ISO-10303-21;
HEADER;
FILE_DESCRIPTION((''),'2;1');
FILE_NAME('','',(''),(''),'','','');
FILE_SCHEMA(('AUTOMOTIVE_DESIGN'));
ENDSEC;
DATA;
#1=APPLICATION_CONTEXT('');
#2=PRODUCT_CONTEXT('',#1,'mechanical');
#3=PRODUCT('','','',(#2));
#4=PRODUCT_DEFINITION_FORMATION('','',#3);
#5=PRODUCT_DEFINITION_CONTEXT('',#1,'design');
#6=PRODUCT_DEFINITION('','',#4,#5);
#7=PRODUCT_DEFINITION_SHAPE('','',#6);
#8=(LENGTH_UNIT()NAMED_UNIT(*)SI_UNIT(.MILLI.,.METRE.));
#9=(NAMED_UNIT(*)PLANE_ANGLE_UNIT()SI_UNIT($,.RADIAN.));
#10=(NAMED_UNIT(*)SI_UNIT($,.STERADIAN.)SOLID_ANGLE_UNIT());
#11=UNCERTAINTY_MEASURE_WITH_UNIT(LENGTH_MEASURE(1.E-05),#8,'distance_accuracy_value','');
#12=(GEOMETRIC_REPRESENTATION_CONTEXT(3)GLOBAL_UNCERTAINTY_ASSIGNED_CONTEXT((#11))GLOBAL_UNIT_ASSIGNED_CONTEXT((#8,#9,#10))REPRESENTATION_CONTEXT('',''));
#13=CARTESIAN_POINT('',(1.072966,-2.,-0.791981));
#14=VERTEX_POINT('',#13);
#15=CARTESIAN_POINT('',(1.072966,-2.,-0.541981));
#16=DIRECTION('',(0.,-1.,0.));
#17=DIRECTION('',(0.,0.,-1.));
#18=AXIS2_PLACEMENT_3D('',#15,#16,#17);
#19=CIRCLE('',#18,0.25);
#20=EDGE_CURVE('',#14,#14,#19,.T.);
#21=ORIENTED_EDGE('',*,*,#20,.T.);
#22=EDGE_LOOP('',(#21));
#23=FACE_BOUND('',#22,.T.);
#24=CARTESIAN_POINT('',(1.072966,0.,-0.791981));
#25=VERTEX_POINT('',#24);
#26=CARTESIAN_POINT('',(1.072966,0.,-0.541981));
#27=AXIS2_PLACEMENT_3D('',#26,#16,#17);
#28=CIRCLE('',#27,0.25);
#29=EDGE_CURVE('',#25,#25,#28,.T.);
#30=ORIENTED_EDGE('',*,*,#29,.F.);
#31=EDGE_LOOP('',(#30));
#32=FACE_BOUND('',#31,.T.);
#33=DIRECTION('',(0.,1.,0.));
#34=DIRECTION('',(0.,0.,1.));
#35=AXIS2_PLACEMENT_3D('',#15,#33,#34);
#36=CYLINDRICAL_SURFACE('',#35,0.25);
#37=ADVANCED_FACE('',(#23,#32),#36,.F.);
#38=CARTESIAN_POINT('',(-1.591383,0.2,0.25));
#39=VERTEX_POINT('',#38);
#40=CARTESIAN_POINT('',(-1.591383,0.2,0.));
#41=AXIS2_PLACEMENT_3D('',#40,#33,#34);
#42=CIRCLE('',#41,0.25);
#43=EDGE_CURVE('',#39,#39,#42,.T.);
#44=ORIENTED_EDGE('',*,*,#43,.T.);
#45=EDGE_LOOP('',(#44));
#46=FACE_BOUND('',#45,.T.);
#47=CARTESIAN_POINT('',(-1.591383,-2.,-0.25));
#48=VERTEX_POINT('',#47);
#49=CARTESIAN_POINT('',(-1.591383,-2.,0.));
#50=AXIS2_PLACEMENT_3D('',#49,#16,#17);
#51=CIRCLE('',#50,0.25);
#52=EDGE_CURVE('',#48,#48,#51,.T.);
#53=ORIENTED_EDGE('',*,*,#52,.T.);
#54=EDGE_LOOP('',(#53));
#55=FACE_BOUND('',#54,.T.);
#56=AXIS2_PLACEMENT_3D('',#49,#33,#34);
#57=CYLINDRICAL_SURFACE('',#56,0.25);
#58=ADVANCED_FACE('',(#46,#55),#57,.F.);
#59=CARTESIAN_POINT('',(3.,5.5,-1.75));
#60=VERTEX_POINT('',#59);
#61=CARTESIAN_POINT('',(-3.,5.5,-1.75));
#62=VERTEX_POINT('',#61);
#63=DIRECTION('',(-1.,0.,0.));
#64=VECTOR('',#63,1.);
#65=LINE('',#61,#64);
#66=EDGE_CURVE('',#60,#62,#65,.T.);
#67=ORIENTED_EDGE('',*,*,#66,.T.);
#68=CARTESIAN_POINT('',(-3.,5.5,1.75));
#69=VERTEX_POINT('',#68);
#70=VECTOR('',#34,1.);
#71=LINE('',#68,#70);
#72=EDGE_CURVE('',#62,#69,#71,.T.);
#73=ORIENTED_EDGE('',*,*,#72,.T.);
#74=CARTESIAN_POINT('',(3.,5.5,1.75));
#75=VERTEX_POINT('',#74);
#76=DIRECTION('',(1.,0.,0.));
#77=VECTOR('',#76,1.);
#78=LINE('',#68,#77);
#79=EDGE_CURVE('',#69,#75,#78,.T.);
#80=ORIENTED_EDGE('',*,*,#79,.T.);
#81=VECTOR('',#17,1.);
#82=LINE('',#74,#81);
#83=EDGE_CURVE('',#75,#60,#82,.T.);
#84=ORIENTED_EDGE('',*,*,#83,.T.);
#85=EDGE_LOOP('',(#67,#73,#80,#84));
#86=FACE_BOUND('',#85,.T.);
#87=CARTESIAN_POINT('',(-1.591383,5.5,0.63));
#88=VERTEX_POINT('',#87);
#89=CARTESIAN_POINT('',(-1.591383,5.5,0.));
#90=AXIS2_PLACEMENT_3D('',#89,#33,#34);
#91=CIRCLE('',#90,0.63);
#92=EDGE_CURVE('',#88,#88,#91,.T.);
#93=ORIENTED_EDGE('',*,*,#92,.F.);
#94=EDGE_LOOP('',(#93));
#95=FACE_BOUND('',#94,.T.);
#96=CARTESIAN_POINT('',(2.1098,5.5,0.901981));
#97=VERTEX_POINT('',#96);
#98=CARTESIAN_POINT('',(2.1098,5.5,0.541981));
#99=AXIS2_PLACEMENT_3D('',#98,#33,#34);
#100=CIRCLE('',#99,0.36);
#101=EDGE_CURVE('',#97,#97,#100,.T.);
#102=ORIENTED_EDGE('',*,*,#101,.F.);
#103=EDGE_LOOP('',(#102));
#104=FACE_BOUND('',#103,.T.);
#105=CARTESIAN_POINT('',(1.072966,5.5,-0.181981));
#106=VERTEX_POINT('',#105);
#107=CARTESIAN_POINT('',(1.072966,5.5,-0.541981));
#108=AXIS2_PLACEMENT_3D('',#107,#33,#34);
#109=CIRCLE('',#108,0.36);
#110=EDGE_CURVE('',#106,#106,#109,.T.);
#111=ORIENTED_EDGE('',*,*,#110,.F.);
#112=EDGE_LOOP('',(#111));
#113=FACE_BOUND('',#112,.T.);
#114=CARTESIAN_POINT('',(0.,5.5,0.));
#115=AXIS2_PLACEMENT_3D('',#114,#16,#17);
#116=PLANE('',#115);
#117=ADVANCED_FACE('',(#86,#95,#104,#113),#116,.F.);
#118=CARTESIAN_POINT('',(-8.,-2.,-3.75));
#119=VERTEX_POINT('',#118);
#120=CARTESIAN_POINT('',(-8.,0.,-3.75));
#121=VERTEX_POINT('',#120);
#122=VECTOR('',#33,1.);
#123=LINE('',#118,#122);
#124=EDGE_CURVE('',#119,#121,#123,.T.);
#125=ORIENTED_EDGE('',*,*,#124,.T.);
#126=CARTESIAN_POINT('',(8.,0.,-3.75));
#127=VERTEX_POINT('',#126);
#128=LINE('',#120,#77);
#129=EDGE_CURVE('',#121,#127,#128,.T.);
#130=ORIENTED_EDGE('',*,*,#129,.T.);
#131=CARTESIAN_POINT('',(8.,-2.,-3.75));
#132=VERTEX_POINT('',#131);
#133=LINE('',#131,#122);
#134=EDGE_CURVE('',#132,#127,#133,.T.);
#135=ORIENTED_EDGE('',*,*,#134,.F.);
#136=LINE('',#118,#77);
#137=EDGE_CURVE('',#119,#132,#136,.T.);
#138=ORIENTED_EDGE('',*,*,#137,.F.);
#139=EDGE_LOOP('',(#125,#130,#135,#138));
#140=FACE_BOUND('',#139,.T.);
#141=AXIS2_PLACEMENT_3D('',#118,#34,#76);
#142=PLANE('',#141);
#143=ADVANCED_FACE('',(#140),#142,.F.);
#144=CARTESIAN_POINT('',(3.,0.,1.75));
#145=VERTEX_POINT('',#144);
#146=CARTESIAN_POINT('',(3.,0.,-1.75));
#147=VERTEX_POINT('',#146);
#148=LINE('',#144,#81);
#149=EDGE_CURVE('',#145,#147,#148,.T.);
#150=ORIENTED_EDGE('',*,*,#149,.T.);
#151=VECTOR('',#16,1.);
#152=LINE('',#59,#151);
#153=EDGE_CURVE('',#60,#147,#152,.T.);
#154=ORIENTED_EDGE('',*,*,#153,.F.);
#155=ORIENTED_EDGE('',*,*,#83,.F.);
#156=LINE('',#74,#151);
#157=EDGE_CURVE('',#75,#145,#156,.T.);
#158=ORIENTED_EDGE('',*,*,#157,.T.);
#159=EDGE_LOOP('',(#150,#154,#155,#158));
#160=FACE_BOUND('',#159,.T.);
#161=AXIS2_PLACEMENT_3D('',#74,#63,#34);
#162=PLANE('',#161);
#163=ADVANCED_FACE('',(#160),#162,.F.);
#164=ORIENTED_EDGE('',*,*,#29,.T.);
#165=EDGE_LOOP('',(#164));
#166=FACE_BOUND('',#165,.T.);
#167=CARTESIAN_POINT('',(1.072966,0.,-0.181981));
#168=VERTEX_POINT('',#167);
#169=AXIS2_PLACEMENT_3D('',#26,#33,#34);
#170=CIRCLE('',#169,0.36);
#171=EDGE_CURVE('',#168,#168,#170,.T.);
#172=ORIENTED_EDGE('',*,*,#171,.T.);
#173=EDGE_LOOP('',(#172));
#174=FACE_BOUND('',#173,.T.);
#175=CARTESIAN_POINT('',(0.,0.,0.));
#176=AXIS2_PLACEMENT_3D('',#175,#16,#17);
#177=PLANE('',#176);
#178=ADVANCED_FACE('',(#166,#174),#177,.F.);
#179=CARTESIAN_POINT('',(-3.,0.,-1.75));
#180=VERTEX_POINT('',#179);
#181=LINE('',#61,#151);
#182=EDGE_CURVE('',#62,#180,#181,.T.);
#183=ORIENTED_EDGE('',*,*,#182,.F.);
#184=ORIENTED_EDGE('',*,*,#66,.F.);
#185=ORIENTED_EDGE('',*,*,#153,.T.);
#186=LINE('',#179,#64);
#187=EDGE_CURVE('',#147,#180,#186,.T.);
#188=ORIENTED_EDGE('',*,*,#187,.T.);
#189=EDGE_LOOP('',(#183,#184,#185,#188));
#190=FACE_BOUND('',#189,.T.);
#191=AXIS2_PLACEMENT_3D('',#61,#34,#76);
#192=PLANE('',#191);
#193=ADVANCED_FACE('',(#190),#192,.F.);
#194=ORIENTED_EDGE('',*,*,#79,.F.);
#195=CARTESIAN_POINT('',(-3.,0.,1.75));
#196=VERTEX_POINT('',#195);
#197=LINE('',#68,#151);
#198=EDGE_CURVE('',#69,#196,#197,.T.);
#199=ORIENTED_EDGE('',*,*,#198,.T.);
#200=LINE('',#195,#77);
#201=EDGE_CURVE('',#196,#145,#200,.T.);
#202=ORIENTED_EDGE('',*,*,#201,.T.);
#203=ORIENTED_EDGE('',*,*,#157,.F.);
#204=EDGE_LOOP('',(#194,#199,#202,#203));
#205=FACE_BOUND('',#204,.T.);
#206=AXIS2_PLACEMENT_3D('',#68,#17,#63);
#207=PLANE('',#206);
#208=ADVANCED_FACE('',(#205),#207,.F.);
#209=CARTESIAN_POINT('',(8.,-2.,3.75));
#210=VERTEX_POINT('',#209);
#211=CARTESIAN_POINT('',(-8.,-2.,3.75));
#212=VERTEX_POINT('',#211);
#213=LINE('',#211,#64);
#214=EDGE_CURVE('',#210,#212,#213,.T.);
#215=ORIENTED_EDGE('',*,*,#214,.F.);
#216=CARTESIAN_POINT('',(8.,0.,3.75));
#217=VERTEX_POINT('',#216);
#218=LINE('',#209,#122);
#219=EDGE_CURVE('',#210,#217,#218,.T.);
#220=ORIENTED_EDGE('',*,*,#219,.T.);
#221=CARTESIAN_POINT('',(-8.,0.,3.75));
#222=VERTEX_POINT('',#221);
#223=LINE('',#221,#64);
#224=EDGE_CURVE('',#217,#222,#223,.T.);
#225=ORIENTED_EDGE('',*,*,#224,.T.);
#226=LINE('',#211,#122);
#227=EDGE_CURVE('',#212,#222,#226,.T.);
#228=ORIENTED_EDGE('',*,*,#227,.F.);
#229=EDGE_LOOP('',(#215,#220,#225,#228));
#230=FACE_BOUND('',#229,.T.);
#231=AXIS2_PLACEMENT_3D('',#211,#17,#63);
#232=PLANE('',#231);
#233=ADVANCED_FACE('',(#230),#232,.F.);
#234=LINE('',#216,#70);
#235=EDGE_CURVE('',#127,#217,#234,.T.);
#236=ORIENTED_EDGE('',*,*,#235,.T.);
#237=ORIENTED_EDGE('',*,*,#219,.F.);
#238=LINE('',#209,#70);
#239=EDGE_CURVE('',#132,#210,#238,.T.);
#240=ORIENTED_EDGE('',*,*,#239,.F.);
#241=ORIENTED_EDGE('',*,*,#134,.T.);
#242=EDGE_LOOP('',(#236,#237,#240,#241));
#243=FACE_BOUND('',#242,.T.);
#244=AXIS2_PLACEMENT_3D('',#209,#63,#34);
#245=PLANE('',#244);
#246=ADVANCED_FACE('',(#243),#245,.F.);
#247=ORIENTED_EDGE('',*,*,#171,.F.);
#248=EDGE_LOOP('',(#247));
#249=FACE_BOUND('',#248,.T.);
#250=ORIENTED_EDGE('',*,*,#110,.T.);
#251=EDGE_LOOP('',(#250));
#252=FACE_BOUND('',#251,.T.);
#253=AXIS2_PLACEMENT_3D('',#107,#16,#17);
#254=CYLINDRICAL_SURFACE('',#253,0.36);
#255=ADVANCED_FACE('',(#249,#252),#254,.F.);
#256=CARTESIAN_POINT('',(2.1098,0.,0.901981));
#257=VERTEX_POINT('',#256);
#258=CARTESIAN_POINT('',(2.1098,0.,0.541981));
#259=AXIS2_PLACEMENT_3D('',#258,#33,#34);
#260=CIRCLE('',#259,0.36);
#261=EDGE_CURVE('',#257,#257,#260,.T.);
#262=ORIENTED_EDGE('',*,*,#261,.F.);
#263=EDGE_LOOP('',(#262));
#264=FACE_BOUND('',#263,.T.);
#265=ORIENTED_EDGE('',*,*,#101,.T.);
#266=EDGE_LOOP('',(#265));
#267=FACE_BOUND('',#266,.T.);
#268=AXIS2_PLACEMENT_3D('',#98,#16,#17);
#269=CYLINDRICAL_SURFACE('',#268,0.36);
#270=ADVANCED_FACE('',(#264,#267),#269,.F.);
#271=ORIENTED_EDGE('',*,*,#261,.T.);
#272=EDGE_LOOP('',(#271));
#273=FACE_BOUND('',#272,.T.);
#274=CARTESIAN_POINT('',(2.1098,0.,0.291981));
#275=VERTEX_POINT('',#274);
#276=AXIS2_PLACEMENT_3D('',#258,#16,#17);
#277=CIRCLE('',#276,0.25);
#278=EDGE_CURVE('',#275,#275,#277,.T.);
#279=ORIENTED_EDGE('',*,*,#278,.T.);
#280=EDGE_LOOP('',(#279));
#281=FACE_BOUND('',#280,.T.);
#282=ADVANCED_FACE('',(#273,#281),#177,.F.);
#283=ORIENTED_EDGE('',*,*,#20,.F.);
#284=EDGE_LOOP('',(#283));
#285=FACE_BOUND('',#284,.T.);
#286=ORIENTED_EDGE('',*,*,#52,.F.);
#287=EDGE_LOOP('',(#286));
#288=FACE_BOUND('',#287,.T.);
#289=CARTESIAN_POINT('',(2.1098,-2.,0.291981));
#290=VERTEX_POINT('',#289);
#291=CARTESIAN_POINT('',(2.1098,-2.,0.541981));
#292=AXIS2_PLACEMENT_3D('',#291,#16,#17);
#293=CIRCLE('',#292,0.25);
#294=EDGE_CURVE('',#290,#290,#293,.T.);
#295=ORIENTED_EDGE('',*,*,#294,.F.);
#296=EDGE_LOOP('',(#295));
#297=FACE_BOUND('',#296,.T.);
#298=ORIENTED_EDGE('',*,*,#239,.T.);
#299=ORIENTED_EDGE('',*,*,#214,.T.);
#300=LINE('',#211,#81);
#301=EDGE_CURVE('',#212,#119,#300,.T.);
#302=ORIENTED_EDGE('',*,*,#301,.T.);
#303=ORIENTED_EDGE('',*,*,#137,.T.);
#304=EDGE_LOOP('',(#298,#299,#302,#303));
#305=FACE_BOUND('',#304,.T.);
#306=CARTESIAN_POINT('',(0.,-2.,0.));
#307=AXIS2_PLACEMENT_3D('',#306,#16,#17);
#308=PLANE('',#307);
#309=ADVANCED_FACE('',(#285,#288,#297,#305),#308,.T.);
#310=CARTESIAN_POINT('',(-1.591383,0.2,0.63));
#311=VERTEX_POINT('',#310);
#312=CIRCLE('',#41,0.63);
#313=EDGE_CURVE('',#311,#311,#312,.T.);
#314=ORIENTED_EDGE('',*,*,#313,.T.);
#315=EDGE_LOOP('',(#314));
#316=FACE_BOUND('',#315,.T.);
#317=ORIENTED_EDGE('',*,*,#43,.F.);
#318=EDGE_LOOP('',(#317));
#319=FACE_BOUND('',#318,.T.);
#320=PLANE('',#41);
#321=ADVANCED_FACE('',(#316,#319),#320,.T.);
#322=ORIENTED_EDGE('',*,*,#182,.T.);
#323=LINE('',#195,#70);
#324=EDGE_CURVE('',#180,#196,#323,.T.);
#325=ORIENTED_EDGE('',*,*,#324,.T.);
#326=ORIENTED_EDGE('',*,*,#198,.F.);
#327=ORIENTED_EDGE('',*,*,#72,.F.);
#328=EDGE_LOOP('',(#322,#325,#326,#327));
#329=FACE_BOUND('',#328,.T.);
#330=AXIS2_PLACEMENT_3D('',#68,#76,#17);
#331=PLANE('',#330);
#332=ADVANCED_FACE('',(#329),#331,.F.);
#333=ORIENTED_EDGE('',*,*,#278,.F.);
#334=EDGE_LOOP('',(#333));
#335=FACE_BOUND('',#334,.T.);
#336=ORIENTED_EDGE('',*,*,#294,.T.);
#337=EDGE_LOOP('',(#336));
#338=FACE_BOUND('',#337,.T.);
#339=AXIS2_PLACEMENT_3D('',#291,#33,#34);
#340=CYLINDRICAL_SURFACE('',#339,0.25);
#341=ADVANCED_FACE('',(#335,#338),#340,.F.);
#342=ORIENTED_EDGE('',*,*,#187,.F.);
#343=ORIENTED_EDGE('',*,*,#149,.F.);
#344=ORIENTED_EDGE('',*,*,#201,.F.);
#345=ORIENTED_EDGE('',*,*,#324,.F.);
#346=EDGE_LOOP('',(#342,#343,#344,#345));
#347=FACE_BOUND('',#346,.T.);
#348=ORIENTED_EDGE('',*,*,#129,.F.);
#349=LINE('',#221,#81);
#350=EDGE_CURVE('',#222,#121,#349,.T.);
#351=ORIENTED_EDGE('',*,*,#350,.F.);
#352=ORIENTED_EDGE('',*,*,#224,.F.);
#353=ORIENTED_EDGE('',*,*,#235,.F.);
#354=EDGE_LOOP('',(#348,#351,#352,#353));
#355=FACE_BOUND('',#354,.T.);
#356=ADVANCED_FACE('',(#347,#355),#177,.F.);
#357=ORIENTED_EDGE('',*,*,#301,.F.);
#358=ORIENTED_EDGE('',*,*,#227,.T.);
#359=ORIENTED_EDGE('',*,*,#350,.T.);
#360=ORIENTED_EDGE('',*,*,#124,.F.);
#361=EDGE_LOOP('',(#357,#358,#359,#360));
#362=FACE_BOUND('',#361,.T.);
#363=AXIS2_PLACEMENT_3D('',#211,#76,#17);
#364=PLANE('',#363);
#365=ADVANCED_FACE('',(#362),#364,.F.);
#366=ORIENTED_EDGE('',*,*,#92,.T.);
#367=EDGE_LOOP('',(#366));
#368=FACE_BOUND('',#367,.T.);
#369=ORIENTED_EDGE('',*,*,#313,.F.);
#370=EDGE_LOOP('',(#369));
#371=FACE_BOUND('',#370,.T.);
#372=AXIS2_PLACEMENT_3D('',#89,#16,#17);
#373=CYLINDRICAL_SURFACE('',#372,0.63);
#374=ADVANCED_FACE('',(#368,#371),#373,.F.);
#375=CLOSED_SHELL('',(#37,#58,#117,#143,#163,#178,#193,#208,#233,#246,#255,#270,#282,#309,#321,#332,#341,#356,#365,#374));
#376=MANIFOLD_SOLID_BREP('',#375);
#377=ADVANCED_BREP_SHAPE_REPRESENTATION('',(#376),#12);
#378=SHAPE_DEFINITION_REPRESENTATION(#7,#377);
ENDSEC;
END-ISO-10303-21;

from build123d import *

# Parameters (mm, degrees)
SKETCH1_W                            = 6
SKETCH1_H                            = 3.5
SKETCH1_R                            = 0.36
SKETCH1_R_2                          = 0.63
CANULALAYOUT_BOSS_EXTRUDE1_DEPTH     = 5.5
SKETCH2_W                            = 16
SKETCH2_H                            = 7.5
SKETCH2_R                            = 0.25
BASE_BOSS_EXTRUDE2_DEPTH             = 2
SKETCH3_R                            = 0.63
SKETCH3_R_2                          = 0.25
HEIGHTDIFFERENCE_BOSS_EXTRUDE3_DEPTH = 0.2


with BuildPart() as part:
    # Sketch1 → CanulaLayout-Boss-Extrude1 (new body)
    with BuildSketch(Plane(origin=(0, 0, 0), x_dir=(1, 0, 0), z_dir=(0, 1, 0))):
        Rectangle(SKETCH1_W, SKETCH1_H)
        with Locations(Location((1.072966062, 0.541981393, 0), (0, 0, 270))):
            Circle(SKETCH1_R, mode=Mode.SUBTRACT)
        with Locations(Location((2.109800031, -0.541981393, 0), (0, 0, 270))):
            Circle(SKETCH1_R, mode=Mode.SUBTRACT)
        with Locations(Location((-1.591383046, 0, 0), (0, 0, 270))):
            Circle(SKETCH1_R_2, mode=Mode.SUBTRACT)
    extrude(amount=CANULALAYOUT_BOSS_EXTRUDE1_DEPTH)

    # Sketch2 → Base-Boss-Extrude2 (add)
    with BuildSketch(Plane.XZ):
        Rectangle(SKETCH2_W, SKETCH2_H)
        with Locations(Location((2.109800031, 0.541981393, 0), (0, 0, 270))):
            Circle(SKETCH2_R, mode=Mode.SUBTRACT)
        with Locations(Location((1.072966062, -0.541981393, 0), (0, 0, 270))):
            Circle(SKETCH2_R, mode=Mode.SUBTRACT)
        with Locations(Location((-1.591383046, 0, 0), (0, 0, 270))):
            Circle(SKETCH2_R, mode=Mode.SUBTRACT)
    extrude(amount=BASE_BOSS_EXTRUDE2_DEPTH)

    # Sketch3 → HeightDifference-Boss-Extrude3 (add)
    with BuildSketch(Plane(origin=(0, 0, 0), x_dir=(1, 0, 0), z_dir=(0, 1, 0))):
        with Locations(Location((-1.591383046, 0, 0), (0, 0, 270))):
            Circle(SKETCH3_R)
        with Locations(Location((-1.591383046, 0, 0), (0, 0, 270))):
            Circle(SKETCH3_R_2, mode=Mode.SUBTRACT)
    extrude(amount=HEIGHTDIFFERENCE_BOSS_EXTRUDE3_DEPTH)


solid = part.part
